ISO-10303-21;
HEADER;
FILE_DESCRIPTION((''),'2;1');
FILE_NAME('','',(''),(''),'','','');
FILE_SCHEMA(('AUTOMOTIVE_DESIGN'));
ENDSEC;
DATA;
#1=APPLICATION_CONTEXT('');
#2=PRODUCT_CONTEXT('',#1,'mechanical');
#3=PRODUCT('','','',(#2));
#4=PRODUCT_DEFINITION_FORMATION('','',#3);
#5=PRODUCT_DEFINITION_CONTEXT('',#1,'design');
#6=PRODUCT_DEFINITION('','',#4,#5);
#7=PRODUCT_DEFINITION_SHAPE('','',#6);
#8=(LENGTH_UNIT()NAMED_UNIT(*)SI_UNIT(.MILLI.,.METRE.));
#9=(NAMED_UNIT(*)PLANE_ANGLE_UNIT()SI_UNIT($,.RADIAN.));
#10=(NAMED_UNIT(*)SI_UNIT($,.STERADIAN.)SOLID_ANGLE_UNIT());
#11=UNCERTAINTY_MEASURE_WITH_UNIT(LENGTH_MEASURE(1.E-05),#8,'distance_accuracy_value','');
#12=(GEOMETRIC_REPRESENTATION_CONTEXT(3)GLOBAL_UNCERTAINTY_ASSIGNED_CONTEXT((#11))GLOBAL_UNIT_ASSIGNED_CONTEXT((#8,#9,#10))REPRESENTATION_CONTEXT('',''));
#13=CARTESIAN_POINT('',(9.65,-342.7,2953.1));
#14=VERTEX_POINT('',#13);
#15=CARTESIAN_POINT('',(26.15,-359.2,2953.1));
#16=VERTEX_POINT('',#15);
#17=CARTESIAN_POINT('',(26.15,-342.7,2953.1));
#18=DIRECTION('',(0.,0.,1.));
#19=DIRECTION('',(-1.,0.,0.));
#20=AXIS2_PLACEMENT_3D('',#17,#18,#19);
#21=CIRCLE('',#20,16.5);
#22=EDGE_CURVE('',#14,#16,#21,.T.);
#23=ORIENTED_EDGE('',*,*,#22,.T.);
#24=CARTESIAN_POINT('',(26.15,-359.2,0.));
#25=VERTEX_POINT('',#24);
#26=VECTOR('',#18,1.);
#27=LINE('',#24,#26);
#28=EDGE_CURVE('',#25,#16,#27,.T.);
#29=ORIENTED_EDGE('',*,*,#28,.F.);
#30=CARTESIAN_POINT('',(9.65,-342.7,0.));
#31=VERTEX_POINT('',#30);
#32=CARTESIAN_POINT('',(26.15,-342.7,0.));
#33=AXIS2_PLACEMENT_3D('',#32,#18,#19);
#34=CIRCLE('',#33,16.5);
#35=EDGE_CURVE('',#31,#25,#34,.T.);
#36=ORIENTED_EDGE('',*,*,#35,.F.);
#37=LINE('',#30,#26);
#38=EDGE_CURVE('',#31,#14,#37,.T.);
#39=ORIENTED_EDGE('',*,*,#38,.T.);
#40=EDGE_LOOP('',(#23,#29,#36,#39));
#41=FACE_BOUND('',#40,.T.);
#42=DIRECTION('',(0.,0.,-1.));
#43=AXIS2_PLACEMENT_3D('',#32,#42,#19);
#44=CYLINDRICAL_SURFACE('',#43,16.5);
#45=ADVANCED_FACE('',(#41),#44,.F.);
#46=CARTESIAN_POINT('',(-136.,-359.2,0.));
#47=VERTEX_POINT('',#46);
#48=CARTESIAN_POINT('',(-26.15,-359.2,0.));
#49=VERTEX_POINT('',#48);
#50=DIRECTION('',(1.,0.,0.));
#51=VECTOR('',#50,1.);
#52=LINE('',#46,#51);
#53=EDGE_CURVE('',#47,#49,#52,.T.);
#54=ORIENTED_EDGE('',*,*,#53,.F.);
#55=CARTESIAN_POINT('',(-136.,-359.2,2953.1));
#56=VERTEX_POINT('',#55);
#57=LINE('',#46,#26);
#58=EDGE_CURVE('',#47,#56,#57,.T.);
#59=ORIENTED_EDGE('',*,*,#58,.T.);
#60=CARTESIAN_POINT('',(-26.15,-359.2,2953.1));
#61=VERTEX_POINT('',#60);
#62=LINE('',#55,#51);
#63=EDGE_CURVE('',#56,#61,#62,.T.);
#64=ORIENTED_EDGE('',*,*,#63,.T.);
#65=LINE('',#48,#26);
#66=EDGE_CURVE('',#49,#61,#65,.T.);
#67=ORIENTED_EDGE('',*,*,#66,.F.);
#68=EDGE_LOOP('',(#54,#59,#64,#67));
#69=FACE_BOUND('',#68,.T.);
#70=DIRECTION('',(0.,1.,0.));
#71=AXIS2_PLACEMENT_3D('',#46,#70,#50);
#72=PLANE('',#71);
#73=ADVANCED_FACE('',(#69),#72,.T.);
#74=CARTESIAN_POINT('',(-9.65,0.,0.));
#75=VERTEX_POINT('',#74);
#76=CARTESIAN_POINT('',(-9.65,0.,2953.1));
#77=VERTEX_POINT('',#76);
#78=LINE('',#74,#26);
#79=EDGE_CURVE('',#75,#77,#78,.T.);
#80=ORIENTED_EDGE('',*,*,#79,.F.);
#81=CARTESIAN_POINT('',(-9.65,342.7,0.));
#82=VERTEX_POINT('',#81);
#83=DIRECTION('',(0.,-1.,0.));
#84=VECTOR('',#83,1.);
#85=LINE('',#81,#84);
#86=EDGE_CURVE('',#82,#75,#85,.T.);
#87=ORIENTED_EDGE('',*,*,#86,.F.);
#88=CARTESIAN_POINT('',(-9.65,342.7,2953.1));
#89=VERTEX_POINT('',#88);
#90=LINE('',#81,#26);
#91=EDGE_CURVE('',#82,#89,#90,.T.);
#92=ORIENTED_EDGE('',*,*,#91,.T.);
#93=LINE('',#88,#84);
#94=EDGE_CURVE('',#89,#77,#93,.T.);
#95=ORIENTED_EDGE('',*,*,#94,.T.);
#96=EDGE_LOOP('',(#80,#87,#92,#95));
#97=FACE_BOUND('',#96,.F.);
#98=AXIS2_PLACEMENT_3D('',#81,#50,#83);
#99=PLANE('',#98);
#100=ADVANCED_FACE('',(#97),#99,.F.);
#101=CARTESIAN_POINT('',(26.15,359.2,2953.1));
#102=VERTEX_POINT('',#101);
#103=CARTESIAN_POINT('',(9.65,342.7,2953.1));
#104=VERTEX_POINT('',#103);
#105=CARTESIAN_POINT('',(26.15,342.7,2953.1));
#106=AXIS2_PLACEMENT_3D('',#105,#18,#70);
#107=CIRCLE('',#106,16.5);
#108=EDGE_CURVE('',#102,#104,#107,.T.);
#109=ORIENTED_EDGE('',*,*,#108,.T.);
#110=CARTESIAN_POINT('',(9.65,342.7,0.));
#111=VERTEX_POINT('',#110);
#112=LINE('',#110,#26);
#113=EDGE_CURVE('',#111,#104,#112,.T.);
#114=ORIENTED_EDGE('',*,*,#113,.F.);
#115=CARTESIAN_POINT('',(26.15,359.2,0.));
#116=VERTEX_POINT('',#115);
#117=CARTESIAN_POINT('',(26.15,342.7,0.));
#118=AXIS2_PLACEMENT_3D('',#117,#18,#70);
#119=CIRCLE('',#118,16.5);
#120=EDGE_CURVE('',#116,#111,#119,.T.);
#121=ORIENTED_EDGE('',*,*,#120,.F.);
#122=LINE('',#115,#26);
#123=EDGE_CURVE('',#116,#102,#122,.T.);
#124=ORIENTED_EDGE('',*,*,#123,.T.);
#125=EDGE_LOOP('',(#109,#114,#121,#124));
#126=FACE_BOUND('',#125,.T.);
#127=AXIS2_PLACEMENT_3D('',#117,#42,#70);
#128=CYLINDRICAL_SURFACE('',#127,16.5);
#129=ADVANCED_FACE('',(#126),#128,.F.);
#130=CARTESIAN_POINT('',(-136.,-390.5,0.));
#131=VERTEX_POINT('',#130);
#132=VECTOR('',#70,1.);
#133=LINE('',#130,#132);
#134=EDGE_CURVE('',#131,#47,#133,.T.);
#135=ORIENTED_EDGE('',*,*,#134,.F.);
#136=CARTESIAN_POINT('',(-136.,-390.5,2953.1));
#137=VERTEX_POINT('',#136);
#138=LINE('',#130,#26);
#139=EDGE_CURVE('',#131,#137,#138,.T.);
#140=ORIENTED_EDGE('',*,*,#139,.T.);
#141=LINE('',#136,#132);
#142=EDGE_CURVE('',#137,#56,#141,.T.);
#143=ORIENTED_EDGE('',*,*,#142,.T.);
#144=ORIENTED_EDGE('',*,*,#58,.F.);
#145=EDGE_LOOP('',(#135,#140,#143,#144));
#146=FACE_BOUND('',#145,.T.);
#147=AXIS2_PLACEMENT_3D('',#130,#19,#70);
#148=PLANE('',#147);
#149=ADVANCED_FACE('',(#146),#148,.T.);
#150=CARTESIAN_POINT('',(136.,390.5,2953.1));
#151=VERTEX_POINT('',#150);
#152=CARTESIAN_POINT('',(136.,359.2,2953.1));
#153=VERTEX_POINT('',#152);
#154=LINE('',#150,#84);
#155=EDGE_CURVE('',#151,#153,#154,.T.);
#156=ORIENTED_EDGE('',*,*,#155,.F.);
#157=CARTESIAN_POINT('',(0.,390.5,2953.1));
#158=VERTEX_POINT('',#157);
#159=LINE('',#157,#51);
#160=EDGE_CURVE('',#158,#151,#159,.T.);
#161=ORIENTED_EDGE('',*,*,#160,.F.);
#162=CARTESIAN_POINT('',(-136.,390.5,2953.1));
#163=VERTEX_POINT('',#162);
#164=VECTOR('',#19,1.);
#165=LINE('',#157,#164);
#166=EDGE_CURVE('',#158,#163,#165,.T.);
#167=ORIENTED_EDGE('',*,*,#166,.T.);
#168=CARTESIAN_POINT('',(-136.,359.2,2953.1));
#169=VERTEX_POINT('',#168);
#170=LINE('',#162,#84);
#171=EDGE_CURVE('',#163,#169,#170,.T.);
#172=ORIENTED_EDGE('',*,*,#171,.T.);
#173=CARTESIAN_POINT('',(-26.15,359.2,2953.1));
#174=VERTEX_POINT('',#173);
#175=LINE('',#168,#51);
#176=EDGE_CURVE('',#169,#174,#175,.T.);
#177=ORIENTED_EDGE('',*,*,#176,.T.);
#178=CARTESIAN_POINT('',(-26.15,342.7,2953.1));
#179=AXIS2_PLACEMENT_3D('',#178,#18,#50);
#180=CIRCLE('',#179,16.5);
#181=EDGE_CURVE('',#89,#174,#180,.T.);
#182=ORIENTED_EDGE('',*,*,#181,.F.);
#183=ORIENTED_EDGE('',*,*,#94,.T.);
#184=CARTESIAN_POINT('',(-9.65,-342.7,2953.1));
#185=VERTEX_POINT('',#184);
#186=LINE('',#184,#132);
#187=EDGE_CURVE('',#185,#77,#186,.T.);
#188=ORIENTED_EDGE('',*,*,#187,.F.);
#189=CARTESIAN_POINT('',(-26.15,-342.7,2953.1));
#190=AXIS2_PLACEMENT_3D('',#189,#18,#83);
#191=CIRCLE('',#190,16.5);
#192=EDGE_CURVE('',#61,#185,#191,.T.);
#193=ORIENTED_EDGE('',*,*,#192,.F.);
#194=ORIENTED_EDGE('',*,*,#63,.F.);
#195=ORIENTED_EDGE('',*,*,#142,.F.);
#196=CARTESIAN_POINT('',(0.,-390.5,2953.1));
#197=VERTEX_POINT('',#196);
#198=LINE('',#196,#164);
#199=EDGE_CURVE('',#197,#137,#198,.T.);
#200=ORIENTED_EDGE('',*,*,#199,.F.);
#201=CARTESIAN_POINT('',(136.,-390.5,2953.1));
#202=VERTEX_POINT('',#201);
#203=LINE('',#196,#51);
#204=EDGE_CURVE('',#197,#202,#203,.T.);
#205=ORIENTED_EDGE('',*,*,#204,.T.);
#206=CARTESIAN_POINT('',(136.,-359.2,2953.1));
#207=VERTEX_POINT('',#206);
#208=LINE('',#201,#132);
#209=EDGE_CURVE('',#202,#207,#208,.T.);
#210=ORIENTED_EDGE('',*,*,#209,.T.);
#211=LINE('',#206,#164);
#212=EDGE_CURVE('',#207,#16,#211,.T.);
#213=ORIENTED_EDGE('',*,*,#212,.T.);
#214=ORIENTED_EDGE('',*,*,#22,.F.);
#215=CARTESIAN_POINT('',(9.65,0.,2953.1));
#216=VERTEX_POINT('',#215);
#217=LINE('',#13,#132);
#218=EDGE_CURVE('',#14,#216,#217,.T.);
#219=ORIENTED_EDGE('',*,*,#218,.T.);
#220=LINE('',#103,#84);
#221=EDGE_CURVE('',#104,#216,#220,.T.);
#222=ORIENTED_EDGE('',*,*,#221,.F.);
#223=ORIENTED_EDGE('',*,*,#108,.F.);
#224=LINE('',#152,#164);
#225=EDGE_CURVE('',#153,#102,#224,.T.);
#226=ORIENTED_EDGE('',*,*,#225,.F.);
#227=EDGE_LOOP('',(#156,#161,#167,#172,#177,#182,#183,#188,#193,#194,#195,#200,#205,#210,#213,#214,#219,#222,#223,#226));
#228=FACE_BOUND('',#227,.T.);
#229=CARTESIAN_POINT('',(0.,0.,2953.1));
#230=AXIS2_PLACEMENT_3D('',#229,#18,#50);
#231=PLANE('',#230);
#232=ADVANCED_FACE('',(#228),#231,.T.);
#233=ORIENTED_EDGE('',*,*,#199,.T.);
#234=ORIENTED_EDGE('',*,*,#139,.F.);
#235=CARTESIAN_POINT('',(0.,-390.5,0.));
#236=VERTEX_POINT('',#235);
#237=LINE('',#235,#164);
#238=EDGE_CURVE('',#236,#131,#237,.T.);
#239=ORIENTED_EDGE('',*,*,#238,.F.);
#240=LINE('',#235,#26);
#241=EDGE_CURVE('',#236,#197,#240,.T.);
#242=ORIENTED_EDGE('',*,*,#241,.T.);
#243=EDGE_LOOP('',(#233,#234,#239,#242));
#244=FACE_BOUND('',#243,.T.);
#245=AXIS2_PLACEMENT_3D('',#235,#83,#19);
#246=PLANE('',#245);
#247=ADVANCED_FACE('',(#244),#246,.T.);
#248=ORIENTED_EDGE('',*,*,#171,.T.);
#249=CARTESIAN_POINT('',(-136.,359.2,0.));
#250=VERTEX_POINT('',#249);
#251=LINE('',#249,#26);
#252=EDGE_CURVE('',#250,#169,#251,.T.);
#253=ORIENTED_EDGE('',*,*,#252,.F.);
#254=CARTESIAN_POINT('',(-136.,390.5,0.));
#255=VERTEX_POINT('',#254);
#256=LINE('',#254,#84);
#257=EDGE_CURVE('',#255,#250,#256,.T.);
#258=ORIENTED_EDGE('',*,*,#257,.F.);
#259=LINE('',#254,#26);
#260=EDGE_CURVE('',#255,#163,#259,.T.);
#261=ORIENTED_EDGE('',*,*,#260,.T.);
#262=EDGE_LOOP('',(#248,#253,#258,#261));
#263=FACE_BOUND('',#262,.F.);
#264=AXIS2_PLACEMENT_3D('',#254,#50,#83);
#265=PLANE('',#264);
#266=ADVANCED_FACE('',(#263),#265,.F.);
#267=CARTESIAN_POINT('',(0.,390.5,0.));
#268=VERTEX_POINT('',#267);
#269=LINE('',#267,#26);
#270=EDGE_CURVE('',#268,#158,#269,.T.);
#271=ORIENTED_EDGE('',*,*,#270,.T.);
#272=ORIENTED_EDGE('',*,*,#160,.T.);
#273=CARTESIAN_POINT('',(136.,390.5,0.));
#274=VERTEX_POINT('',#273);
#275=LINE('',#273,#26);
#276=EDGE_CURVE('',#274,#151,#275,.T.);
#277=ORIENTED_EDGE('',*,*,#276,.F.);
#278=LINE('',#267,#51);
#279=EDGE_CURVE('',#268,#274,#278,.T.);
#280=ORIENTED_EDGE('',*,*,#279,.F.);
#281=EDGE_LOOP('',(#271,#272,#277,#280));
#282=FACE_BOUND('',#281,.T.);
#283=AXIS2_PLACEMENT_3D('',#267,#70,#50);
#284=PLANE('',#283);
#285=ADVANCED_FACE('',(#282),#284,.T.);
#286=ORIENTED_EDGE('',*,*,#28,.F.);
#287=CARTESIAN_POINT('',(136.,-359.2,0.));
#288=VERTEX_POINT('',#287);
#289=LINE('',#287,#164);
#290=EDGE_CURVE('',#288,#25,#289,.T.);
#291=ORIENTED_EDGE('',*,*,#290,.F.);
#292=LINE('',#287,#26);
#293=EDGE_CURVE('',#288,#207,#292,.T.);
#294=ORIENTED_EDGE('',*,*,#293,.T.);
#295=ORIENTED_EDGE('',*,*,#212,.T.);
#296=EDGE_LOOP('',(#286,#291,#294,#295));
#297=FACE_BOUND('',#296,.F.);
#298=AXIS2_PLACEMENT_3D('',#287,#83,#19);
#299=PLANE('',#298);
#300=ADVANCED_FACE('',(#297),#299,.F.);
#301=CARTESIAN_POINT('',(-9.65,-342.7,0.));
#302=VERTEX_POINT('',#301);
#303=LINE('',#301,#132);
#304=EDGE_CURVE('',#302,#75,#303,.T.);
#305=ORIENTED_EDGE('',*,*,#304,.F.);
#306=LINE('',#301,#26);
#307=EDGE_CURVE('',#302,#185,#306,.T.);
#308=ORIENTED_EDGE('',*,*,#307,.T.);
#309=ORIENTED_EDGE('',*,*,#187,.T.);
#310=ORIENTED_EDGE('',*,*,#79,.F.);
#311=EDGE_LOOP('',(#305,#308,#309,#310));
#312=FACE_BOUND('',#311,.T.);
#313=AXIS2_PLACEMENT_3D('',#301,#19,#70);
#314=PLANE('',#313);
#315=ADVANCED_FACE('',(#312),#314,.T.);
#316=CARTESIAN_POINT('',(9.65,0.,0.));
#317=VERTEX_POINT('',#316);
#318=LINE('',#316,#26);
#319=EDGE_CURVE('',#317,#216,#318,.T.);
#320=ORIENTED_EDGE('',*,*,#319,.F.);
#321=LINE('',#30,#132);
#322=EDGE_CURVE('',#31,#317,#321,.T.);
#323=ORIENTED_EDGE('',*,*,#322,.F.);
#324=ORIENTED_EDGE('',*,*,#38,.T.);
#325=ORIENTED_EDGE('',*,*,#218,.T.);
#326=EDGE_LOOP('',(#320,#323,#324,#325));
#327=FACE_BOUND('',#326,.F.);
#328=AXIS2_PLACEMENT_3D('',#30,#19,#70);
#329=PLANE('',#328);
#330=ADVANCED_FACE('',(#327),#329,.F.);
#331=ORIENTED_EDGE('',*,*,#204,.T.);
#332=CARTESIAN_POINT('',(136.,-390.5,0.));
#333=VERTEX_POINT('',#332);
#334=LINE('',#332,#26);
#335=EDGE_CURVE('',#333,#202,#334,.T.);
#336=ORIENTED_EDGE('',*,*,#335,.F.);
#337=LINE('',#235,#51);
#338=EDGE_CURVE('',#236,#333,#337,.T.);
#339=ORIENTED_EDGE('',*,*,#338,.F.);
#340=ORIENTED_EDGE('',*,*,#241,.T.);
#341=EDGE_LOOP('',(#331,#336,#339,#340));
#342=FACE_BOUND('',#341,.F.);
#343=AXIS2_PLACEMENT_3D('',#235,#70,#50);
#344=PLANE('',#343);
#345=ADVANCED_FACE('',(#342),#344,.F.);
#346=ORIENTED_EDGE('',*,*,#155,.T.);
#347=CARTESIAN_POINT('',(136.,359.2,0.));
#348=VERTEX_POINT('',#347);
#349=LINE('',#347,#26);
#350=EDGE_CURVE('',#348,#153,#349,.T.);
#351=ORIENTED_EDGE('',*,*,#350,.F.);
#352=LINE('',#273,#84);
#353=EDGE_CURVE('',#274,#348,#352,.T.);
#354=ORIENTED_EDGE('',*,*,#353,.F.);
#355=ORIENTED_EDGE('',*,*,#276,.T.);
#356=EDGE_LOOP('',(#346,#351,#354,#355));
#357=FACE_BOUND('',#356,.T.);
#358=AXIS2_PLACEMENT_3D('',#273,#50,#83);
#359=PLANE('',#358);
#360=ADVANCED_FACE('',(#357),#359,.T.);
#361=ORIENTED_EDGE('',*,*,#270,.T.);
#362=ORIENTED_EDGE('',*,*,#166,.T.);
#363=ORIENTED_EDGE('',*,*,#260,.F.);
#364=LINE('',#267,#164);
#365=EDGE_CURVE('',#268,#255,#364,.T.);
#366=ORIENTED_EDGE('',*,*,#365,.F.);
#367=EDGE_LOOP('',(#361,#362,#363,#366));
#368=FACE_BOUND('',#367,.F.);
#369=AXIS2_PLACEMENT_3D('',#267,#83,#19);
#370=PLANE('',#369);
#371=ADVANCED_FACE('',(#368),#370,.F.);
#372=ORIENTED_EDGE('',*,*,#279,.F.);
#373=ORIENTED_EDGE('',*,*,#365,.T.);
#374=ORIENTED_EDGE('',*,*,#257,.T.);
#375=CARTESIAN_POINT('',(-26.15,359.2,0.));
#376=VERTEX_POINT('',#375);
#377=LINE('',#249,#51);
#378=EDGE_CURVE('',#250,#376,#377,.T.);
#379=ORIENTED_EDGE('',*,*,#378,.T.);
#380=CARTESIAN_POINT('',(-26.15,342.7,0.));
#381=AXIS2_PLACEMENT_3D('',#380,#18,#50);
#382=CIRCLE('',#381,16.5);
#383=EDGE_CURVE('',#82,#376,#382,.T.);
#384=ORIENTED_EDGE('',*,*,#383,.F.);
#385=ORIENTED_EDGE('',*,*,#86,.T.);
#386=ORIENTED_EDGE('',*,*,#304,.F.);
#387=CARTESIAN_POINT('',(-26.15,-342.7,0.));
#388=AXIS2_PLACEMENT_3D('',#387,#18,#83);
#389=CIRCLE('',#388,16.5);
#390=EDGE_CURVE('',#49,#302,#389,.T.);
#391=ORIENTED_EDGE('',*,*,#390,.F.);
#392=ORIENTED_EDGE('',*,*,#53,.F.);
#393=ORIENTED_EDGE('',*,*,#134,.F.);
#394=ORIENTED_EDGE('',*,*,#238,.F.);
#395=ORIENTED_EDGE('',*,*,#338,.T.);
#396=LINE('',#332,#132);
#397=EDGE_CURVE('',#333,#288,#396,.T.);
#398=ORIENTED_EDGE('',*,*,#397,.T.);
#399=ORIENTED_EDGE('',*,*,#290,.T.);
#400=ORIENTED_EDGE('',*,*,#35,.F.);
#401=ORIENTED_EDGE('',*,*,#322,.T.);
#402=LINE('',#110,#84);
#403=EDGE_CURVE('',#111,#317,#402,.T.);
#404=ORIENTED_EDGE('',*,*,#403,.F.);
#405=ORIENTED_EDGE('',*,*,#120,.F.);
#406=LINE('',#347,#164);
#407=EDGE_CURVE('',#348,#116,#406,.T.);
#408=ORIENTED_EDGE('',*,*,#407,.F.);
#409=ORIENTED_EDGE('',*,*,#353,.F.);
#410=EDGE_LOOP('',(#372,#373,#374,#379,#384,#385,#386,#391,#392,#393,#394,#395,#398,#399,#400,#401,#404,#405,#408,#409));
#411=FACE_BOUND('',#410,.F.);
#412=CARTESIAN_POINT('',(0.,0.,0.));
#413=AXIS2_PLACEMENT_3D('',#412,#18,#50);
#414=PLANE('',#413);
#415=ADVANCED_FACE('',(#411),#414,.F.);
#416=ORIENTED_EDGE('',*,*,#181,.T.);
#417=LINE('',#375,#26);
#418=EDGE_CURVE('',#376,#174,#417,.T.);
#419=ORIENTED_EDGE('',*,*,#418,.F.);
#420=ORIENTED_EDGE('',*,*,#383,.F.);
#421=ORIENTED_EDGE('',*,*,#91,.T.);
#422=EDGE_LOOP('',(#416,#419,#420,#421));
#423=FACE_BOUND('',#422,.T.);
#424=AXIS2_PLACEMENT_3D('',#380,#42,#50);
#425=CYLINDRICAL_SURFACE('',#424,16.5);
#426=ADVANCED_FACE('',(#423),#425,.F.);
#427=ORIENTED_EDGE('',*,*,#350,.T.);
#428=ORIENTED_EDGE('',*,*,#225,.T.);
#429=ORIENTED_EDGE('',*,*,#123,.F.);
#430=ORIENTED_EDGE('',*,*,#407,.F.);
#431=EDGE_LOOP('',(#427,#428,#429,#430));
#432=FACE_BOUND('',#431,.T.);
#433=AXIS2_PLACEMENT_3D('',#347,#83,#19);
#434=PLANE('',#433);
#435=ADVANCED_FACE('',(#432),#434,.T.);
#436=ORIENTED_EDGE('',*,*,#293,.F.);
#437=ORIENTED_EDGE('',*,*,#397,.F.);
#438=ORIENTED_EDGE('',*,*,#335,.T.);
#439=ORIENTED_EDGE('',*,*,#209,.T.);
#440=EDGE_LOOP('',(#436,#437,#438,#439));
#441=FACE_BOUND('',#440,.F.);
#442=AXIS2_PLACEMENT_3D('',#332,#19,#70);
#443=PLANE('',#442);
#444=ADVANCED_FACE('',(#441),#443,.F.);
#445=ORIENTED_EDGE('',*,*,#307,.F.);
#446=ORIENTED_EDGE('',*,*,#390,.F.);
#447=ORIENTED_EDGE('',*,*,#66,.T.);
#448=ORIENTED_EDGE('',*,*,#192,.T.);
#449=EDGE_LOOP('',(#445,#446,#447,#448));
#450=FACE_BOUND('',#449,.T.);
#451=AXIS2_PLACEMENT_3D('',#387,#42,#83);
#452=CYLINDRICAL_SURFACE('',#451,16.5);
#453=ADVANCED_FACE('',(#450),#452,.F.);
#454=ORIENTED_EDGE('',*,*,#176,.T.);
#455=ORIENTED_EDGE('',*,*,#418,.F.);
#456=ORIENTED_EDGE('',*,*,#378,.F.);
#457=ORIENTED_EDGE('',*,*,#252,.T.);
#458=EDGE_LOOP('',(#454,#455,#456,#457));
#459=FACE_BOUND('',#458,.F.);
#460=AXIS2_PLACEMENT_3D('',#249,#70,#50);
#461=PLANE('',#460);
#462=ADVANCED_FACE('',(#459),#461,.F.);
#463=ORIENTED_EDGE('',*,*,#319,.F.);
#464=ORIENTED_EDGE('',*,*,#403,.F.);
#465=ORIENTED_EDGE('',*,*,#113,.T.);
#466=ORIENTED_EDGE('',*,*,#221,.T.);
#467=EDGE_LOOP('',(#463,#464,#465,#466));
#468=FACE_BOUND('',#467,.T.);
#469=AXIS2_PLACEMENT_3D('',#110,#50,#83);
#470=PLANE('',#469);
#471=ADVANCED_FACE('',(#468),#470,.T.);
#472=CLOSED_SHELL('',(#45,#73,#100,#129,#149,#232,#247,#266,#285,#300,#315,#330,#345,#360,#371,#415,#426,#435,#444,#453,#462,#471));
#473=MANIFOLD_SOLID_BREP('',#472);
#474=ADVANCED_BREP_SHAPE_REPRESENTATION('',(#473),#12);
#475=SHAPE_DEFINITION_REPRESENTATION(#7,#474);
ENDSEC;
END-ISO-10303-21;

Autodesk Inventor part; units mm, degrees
ref_plane "YZ Plane" through (0, 0, 0) normal (1, 0, 0) x (0, 1, 0)
ref_plane "Start plane" through (0, 0, 0) normal (0, 0, 1) x (1, 0, 0)
ref_plane "End plane" through (0, 0, 2953.1) normal (0, 0, 1) x (1, 0, 0)
sketch "Sketch" plane through (0, 0, 0) normal (0, 0, 1) x (1, 0, 0)
  line L0 (-136, -390.5) -> (-136, -359.2)
  line L1 (-136, -359.2) -> (-26.15, -359.2)
  line L2 (-9.65, -342.7) -> (-9.65, 0)
  line L3 (-9.65, 0) -> (0, 0) construction
  line L4 (0, 0) -> (0, -390.5) construction
  line L5 (0, -390.5) -> (-136, -390.5)
  line L6 (-60, 0) -> (80, 0) construction
  line L7 (0, -60) -> (0, 80) construction
  line L8 (136, -390.5) -> (136, -359.2)
  line L9 (136, -359.2) -> (26.15, -359.2)
  line L10 (9.65, -342.7) -> (9.65, 0)
  line L11 (9.65, 0) -> (0, 0) construction
  line L12 (0, -390.5) -> (136, -390.5)
  line L13 (-136, 390.5) -> (-136, 359.2)
  line L14 (-136, 359.2) -> (-26.15, 359.2)
  line L15 (-9.65, 342.7) -> (-9.65, 0)
  line L16 (0, 390.5) -> (-136, 390.5)
  line L17 (136, 390.5) -> (136, 359.2)
  line L18 (136, 359.2) -> (26.15, 359.2)
  line L19 (0, 390.5) -> (136, 390.5)
  line L20 (9.65, 342.7) -> (9.65, 0)
  arc A0 (-9.65, 342.7) -> (-26.15, 359.2) centre (-26.15, 342.7) ccw
  arc A1 (26.15, 359.2) -> (9.65, 342.7) centre (26.15, 342.7) ccw
  arc A2 (9.65, -342.7) -> (26.15, -359.2) centre (26.15, -342.7) ccw
  arc A3 (-26.15, -359.2) -> (-9.65, -342.7) centre (-26.15, -342.7) ccw
  line L21 (0, 108) -> (0, -88) construction
  line L22 (-88, 0) -> (108, 0) construction
  point P0 (-9.65, -359.2)
  point P1 (9.65, -359.2)
  point P2 (-9.65, 359.2)
  point P3 (9.65, 359.2)
  dimension "d1" = 390.5
  dimension "d2" = 31.3
  dimension "d3" = 136
  dimension "d4" = 9.65
  dimension "d10" = 16.5
extrude "Body" add sketch "Sketch" along normal up to surface (2953.1 mm away) from surface at 0
sketch "Sketch4" plane through (0, 0, 0) normal (0, 0, 1) x (1, 0, 0)
  line L0 (0, 0) -> (10, 0)
ref_plane "Work Plane3" through (0, 0, 0) normal (0, -1, 0) x (1, 0, 0)
sketch "Sketch5" plane through (0, 0, 0) normal (0, -1, 0) x (1, 0, 0)
  line L0 (-2, 0) -> (12, 0) projected
  line L1 (-2, 2953.1) -> (12, 2953.1) projected
  dimension "d14" = 2953.1
equation "\"d1\" = 0.5 * G_H"
equation "\"d2\" = G_T1"
equation "\"d3\" = 0.5 * G_W"
equation "\"d4\" = 0.5 * G_T"
equation "\"d10\" = G_IR"
equation "\"d5\" = G_L"
equation "\"G_W\" = 272"
equation "\"G_H\" = 781"
equation "\"G_T\" = 19.3"
equation "\"G_T1\" = 31.3"
equation "\"G_IR\" = 16.5"
equation "\"G_L\" = d14"
equation "\"G_OFFSET_START\" = 0"
equation "\"G_OFFSET_END\" = 0"
equation "\"d12\" = G_OFFSET_END + B_L"
equation "\"B_L\" = 2953.1"
properties part number "AS 3679-1990 - 760 UB - 244 - 2953.1" material "Steel, Mild"
